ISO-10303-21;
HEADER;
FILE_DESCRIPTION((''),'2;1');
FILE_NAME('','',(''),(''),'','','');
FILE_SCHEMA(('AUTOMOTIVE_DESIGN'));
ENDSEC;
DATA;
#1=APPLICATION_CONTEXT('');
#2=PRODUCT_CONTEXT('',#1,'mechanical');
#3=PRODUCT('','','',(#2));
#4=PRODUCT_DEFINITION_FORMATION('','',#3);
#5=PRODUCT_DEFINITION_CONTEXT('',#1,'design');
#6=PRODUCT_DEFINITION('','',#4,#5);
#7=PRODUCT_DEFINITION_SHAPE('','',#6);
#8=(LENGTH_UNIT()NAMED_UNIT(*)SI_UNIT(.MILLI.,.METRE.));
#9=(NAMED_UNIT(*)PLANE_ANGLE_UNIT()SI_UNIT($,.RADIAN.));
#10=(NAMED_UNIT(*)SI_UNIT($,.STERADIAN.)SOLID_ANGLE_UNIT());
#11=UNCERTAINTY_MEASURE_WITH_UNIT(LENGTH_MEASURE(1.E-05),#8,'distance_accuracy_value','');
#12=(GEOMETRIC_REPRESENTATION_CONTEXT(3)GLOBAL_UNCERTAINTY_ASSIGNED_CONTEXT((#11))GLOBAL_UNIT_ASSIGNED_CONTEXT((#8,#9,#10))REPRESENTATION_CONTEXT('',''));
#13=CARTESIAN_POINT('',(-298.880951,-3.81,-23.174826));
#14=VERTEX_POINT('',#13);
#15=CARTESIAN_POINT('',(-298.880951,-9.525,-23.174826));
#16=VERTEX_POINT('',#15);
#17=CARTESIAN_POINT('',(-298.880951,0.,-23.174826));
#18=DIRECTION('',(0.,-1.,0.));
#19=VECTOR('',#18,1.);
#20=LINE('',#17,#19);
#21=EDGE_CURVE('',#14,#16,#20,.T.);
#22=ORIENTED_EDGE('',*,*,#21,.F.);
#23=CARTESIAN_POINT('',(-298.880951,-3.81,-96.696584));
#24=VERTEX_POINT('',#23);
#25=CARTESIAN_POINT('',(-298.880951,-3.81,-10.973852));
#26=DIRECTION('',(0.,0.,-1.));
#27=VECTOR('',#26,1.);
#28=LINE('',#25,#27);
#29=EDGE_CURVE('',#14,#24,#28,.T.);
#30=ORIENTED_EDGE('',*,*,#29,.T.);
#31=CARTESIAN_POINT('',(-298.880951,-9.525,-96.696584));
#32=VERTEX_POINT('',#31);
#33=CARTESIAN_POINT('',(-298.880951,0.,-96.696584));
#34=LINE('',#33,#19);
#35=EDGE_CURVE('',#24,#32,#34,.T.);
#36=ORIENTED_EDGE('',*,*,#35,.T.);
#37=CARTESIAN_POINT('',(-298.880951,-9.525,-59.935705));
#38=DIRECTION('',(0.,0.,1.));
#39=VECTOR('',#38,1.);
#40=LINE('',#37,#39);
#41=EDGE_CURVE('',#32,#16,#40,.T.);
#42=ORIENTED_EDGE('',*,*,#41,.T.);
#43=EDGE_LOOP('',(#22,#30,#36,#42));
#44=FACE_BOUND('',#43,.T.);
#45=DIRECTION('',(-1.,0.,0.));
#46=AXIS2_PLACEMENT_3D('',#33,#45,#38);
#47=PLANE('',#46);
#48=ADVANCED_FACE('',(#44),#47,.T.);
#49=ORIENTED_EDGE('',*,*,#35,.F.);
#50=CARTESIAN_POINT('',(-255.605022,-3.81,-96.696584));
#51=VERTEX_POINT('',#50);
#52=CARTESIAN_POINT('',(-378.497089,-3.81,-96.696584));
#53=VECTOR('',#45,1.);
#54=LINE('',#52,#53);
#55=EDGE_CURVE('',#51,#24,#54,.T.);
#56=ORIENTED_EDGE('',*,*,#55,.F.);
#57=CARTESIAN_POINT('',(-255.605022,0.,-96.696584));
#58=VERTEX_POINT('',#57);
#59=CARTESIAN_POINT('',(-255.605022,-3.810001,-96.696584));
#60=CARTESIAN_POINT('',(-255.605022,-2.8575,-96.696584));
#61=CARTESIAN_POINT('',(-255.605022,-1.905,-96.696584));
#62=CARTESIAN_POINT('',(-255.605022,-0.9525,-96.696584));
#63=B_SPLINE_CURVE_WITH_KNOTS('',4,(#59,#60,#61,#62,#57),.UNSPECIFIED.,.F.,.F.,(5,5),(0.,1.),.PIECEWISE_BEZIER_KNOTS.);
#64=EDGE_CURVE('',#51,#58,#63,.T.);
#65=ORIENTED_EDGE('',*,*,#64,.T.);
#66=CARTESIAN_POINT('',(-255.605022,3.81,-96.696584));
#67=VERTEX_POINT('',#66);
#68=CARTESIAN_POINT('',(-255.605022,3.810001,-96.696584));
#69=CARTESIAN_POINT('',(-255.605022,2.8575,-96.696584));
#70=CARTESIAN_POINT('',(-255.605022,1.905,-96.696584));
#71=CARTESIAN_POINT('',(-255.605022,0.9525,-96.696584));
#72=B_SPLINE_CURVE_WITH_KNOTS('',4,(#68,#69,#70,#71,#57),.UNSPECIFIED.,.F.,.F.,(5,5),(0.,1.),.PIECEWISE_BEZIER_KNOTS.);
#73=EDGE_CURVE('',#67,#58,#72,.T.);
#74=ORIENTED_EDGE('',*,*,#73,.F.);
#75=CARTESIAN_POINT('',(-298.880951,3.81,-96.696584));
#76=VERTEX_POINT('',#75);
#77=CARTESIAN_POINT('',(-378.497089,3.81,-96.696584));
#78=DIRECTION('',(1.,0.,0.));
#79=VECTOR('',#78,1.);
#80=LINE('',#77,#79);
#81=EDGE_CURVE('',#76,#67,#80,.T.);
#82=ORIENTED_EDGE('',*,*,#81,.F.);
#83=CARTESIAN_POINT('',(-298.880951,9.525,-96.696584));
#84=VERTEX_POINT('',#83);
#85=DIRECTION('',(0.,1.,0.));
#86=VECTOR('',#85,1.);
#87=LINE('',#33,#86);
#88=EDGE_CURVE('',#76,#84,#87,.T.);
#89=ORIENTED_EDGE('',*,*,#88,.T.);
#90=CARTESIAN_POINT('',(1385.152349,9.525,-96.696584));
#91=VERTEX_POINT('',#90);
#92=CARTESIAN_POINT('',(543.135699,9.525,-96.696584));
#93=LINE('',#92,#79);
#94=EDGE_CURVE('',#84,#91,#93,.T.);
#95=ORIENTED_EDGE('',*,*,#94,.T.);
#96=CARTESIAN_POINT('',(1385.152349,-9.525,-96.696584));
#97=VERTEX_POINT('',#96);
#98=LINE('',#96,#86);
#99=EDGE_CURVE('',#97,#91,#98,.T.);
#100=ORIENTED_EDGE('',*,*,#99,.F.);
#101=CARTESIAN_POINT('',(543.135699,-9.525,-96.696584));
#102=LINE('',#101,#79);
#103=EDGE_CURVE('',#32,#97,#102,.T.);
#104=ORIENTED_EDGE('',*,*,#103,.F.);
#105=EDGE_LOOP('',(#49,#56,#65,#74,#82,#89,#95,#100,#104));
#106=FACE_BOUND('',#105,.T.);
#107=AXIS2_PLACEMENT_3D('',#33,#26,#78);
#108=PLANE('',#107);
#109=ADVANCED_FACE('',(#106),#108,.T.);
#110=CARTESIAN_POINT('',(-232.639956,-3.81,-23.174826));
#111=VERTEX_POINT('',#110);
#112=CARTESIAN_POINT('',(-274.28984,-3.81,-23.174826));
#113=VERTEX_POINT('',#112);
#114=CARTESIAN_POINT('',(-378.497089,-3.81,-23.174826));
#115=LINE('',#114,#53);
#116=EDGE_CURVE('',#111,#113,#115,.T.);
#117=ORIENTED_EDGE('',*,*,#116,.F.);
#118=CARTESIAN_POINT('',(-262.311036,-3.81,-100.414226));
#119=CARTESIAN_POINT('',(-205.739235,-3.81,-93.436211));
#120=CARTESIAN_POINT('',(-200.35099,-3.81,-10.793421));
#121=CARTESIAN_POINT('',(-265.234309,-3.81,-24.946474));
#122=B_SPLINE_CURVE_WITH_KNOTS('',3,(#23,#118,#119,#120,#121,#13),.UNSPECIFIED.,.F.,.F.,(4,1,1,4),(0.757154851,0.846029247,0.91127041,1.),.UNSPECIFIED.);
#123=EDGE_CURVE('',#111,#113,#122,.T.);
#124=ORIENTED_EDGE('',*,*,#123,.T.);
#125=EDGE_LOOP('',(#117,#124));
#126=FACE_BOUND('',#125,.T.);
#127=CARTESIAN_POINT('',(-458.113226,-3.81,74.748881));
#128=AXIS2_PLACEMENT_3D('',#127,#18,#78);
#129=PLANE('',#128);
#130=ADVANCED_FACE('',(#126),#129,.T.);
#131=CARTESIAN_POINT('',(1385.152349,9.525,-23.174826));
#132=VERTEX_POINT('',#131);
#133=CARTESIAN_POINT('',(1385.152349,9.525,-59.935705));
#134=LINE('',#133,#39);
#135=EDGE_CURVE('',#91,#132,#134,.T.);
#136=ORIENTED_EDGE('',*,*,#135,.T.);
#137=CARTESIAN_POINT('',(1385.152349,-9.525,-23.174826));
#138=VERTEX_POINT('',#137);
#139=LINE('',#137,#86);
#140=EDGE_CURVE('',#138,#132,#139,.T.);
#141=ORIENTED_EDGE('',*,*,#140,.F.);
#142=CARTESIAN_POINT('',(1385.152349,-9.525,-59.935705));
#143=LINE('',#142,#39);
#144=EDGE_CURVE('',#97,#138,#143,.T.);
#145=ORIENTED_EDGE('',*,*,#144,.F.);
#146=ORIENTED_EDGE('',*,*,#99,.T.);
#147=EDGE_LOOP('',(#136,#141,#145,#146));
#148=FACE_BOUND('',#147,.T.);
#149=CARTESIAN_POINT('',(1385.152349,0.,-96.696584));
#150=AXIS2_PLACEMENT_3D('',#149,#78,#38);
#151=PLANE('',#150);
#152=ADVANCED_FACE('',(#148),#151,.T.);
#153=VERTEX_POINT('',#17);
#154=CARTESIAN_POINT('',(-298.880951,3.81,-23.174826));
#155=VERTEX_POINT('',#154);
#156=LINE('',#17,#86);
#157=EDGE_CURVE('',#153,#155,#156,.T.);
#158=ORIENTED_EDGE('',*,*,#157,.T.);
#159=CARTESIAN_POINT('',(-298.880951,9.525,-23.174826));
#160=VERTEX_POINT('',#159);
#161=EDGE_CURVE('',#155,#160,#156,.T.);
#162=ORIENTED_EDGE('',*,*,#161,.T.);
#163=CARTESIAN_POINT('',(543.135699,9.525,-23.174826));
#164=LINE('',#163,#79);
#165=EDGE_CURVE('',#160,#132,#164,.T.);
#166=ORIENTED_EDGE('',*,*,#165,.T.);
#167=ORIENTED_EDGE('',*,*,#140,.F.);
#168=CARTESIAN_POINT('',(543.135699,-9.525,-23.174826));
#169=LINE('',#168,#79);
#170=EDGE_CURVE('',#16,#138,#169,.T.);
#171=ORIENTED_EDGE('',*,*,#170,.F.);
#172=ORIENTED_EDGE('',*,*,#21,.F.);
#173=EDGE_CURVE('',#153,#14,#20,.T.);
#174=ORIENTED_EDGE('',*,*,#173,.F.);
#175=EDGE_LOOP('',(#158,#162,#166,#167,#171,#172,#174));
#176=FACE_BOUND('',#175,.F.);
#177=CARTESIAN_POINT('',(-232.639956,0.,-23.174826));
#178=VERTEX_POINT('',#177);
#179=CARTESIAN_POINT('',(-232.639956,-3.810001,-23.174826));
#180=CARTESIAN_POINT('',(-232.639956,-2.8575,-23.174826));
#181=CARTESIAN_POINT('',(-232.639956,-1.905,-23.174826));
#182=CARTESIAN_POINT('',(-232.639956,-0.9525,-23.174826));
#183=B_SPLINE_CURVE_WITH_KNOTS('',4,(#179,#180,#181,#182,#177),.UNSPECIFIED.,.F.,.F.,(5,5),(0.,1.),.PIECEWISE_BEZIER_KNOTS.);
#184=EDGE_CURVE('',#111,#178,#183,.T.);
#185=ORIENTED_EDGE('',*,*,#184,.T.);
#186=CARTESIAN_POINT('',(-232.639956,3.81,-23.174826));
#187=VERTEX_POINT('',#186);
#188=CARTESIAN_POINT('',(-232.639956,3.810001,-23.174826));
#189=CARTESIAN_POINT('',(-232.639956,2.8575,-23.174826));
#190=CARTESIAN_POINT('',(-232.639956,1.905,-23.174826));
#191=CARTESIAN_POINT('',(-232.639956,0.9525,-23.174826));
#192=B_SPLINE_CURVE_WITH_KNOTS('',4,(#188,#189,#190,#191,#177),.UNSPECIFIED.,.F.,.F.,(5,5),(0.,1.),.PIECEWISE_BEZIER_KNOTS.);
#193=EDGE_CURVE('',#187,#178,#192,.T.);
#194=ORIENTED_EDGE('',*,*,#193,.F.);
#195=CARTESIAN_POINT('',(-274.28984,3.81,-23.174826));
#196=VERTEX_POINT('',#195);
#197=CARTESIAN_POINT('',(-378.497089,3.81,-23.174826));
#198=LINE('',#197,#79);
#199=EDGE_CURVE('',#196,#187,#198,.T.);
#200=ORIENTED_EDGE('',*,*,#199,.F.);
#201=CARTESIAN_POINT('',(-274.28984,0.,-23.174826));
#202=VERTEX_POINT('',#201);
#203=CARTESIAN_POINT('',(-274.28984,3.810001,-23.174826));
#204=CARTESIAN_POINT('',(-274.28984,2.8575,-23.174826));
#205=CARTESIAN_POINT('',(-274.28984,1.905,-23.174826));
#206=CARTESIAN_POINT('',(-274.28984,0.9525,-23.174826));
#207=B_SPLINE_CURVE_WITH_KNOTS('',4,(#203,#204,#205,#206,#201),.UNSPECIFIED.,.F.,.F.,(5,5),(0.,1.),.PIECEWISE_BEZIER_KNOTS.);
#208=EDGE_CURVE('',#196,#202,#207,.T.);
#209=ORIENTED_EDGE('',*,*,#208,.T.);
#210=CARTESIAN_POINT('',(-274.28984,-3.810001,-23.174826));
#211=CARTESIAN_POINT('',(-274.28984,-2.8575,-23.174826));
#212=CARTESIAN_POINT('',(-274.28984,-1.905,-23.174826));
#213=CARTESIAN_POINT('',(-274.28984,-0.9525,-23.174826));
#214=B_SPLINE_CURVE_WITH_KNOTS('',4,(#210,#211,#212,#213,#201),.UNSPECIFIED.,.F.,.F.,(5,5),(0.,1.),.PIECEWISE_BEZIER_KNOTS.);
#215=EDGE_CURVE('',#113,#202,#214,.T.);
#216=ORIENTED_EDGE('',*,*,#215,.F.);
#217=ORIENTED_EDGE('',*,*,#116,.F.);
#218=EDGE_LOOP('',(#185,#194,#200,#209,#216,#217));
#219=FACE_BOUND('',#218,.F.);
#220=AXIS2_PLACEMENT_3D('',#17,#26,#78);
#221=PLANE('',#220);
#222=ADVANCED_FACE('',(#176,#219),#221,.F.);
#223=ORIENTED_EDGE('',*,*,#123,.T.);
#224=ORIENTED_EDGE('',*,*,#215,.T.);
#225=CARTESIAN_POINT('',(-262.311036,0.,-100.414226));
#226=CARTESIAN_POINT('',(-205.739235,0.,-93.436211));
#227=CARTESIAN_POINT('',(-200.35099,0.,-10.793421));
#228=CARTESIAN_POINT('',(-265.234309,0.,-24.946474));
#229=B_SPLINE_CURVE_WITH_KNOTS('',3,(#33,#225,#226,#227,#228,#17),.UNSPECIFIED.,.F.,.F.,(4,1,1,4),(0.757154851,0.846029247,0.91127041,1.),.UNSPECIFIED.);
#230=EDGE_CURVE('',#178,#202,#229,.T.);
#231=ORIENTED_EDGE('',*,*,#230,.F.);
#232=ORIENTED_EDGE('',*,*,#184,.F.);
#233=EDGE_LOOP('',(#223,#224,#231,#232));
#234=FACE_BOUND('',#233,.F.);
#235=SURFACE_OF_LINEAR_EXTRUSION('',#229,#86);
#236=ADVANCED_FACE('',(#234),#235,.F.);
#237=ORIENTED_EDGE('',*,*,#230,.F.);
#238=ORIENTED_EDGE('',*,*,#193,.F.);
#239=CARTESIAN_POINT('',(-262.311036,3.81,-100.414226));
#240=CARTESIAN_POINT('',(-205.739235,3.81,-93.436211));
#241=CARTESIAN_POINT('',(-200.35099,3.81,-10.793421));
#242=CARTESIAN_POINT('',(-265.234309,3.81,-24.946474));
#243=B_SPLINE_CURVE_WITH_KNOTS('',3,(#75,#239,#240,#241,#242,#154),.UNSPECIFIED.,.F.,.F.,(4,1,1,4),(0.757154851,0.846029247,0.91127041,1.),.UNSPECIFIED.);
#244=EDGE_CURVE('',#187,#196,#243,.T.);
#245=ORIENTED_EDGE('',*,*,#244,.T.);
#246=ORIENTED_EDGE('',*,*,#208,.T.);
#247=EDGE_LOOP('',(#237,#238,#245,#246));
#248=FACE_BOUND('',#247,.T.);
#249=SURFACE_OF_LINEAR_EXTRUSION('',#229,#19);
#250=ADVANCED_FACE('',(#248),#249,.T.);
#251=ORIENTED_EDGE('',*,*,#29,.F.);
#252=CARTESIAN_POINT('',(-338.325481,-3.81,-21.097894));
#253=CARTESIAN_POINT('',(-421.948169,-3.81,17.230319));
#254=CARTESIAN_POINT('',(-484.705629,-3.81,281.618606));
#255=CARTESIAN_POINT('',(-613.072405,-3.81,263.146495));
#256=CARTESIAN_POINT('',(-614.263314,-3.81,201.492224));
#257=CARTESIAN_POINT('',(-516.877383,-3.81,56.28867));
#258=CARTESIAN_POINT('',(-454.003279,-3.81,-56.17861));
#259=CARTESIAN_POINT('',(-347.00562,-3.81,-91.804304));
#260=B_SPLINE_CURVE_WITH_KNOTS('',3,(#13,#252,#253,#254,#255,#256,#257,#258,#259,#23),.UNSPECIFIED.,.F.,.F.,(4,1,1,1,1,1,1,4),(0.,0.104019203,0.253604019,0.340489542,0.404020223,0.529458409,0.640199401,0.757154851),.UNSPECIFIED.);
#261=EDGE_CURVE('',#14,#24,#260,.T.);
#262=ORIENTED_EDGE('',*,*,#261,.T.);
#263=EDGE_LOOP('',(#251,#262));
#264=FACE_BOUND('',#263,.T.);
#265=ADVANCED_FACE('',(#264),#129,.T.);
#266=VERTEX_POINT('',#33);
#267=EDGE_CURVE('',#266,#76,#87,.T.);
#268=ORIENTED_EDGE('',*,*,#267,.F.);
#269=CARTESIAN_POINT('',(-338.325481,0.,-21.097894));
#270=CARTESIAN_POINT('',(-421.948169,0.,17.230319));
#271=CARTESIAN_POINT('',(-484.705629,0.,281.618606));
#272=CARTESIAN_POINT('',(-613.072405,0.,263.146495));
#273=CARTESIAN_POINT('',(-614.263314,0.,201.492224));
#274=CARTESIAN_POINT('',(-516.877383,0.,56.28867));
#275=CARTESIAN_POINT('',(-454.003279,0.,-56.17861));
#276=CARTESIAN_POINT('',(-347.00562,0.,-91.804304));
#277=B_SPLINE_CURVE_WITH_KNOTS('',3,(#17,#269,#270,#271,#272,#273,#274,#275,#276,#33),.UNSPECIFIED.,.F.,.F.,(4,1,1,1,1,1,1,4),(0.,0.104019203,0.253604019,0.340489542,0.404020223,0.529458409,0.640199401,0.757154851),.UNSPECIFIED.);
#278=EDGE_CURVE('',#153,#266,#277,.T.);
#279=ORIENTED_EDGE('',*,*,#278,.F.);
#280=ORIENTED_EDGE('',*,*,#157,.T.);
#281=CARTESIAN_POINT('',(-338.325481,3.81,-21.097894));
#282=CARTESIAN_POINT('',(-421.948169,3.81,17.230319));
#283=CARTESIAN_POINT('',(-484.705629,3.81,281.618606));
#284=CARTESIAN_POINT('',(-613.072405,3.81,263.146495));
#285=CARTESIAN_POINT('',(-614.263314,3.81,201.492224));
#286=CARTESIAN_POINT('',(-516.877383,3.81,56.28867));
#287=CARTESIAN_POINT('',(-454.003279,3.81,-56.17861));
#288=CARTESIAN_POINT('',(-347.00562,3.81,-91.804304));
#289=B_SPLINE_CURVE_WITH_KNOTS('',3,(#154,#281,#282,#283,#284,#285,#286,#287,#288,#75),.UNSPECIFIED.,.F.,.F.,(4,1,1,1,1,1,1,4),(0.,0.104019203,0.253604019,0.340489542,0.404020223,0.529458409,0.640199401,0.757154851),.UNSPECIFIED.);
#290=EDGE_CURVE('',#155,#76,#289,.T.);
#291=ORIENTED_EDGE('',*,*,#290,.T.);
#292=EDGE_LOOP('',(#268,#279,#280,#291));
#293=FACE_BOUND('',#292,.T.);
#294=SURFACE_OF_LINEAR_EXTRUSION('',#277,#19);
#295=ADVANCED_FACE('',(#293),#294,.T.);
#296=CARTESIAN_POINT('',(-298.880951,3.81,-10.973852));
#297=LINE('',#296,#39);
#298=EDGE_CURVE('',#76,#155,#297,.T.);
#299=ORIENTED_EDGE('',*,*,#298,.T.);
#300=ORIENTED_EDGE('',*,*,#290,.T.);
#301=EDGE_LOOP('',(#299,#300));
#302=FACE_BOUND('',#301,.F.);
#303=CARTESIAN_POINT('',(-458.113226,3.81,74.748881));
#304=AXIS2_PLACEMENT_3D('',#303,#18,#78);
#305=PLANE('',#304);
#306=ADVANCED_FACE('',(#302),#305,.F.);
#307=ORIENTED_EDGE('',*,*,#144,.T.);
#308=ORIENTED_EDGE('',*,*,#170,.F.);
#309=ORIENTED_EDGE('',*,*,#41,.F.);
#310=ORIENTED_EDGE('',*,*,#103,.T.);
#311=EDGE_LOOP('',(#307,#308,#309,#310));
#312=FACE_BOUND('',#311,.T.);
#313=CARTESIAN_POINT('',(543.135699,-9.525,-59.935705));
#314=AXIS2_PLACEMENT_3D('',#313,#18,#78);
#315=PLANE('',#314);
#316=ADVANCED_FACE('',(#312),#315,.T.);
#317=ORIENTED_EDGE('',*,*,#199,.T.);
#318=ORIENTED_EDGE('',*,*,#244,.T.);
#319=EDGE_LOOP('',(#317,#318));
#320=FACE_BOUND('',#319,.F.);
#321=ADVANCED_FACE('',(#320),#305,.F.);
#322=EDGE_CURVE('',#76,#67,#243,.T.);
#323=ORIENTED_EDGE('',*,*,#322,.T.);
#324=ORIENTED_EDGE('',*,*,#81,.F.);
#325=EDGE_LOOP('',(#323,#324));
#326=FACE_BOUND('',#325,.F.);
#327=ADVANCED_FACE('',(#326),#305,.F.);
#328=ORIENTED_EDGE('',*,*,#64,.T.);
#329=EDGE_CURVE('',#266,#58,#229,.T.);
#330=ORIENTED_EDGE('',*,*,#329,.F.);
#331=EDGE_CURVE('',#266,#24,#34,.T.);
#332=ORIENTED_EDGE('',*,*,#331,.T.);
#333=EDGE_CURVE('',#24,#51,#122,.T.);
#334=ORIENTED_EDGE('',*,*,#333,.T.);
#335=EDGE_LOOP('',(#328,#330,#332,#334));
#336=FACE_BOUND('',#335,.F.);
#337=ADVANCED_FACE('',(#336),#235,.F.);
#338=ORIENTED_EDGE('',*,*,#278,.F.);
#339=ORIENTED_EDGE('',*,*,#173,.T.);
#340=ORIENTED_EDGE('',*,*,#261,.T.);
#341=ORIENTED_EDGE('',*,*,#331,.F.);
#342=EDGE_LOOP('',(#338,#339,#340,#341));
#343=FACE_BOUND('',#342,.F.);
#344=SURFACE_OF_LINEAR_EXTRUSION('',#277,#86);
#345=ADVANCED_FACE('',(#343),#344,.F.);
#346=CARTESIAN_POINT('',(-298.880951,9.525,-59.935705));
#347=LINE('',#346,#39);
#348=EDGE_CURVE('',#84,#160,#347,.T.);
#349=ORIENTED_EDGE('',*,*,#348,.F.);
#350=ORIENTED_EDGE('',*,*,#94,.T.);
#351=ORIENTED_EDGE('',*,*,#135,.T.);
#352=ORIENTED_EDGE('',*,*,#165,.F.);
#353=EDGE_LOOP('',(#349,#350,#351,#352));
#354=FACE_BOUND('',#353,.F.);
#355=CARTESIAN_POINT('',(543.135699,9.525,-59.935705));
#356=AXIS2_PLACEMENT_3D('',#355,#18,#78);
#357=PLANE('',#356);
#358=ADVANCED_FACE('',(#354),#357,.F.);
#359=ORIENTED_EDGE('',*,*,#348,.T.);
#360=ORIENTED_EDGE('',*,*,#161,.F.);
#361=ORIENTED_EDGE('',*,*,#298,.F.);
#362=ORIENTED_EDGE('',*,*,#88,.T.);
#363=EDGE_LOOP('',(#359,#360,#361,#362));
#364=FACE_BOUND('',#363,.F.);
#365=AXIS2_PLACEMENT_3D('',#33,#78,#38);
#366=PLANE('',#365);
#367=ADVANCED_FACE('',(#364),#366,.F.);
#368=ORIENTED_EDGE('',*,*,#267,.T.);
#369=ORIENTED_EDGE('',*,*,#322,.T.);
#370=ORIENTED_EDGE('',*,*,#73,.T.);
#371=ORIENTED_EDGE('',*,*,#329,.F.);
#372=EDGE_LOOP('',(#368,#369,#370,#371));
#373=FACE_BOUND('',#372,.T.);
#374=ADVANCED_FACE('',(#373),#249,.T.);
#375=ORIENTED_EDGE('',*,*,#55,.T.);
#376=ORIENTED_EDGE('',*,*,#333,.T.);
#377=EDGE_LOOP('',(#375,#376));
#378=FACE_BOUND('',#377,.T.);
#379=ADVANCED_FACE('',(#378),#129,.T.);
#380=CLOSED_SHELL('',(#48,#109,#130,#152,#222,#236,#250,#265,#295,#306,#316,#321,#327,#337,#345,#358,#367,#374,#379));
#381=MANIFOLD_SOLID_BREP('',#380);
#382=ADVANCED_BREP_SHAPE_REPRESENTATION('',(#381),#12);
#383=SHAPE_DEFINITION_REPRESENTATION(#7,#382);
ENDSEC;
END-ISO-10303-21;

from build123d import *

# Parameters (mm, degrees)
F1_DEPTH      = 3.81
F1_DEPTH_BACK = 3.81
F2_W          = 1684.0332998967
F2_H          = 73.5217577487
F3_DEPTH      = 9.525
F3_DEPTH_BACK = 9.525


with BuildPart() as f1:
    # F0 (on Front) → F1 (new body, two sides)
    with BuildSketch(Plane.XZ) as f1_sk:
        with BuildLine():
            add(Edge.make_bspline(
                [(-298.8809511983, -23.1748263408), (-338.3254806111, -21.0978942149), (-421.9481692282, 17.2303188481), (-484.7056285187, 281.6186060484), (-613.0724046861, 263.1464953816), (-614.2633141649, 201.4922242958), (-516.8773831882, 56.2886695758), (-454.0032789141, -56.1786102779), (-347.0056197056, -91.8043038939), (-298.8809511983, -96.6965840895)],
                knots=[0, 0, 0, 0, 0.1040192033, 0.2536040193, 0.3404895417, 0.4040202227, 0.5294584093, 0.6401994015, 0.7571548507, 0.7571548507, 0.7571548507, 0.7571548507], degree=3))
            Line((-298.8809511983, -96.6965840895), (-298.8809511983, -23.1748263408))
        make_face()
        with BuildLine():
            Line((-298.8809511983, -23.1748263408), (-298.8809511983, -96.6965840895))
            add(Edge.make_bspline(
                [(-298.8809511983, -96.6965840895), (-262.3110361205, -100.4142257241), (-205.7392349018, -93.4362108257), (-200.3509895681, -10.7934205549), (-265.234308768, -24.9464736044), (-298.8809511983, -23.1748263408)],
                knots=[0.7571548507, 0.7571548507, 0.7571548507, 0.7571548507, 0.8460292467, 0.9112704095, 1, 1, 1, 1], degree=3))
        make_face()
    extrude(amount=F1_DEPTH)
    extrude(f1_sk.sketch, amount=-F1_DEPTH_BACK)

    # F2 (on Front) → F3 (join, two sides)
    with BuildSketch(Plane.XZ) as f3_sk:
        with Locations((543.13569875, -59.9357052152)):
            Rectangle(F2_W, F2_H)
    extrude(amount=F3_DEPTH)
    extrude(f3_sk.sketch, amount=-F3_DEPTH_BACK)


solid = f1.part
